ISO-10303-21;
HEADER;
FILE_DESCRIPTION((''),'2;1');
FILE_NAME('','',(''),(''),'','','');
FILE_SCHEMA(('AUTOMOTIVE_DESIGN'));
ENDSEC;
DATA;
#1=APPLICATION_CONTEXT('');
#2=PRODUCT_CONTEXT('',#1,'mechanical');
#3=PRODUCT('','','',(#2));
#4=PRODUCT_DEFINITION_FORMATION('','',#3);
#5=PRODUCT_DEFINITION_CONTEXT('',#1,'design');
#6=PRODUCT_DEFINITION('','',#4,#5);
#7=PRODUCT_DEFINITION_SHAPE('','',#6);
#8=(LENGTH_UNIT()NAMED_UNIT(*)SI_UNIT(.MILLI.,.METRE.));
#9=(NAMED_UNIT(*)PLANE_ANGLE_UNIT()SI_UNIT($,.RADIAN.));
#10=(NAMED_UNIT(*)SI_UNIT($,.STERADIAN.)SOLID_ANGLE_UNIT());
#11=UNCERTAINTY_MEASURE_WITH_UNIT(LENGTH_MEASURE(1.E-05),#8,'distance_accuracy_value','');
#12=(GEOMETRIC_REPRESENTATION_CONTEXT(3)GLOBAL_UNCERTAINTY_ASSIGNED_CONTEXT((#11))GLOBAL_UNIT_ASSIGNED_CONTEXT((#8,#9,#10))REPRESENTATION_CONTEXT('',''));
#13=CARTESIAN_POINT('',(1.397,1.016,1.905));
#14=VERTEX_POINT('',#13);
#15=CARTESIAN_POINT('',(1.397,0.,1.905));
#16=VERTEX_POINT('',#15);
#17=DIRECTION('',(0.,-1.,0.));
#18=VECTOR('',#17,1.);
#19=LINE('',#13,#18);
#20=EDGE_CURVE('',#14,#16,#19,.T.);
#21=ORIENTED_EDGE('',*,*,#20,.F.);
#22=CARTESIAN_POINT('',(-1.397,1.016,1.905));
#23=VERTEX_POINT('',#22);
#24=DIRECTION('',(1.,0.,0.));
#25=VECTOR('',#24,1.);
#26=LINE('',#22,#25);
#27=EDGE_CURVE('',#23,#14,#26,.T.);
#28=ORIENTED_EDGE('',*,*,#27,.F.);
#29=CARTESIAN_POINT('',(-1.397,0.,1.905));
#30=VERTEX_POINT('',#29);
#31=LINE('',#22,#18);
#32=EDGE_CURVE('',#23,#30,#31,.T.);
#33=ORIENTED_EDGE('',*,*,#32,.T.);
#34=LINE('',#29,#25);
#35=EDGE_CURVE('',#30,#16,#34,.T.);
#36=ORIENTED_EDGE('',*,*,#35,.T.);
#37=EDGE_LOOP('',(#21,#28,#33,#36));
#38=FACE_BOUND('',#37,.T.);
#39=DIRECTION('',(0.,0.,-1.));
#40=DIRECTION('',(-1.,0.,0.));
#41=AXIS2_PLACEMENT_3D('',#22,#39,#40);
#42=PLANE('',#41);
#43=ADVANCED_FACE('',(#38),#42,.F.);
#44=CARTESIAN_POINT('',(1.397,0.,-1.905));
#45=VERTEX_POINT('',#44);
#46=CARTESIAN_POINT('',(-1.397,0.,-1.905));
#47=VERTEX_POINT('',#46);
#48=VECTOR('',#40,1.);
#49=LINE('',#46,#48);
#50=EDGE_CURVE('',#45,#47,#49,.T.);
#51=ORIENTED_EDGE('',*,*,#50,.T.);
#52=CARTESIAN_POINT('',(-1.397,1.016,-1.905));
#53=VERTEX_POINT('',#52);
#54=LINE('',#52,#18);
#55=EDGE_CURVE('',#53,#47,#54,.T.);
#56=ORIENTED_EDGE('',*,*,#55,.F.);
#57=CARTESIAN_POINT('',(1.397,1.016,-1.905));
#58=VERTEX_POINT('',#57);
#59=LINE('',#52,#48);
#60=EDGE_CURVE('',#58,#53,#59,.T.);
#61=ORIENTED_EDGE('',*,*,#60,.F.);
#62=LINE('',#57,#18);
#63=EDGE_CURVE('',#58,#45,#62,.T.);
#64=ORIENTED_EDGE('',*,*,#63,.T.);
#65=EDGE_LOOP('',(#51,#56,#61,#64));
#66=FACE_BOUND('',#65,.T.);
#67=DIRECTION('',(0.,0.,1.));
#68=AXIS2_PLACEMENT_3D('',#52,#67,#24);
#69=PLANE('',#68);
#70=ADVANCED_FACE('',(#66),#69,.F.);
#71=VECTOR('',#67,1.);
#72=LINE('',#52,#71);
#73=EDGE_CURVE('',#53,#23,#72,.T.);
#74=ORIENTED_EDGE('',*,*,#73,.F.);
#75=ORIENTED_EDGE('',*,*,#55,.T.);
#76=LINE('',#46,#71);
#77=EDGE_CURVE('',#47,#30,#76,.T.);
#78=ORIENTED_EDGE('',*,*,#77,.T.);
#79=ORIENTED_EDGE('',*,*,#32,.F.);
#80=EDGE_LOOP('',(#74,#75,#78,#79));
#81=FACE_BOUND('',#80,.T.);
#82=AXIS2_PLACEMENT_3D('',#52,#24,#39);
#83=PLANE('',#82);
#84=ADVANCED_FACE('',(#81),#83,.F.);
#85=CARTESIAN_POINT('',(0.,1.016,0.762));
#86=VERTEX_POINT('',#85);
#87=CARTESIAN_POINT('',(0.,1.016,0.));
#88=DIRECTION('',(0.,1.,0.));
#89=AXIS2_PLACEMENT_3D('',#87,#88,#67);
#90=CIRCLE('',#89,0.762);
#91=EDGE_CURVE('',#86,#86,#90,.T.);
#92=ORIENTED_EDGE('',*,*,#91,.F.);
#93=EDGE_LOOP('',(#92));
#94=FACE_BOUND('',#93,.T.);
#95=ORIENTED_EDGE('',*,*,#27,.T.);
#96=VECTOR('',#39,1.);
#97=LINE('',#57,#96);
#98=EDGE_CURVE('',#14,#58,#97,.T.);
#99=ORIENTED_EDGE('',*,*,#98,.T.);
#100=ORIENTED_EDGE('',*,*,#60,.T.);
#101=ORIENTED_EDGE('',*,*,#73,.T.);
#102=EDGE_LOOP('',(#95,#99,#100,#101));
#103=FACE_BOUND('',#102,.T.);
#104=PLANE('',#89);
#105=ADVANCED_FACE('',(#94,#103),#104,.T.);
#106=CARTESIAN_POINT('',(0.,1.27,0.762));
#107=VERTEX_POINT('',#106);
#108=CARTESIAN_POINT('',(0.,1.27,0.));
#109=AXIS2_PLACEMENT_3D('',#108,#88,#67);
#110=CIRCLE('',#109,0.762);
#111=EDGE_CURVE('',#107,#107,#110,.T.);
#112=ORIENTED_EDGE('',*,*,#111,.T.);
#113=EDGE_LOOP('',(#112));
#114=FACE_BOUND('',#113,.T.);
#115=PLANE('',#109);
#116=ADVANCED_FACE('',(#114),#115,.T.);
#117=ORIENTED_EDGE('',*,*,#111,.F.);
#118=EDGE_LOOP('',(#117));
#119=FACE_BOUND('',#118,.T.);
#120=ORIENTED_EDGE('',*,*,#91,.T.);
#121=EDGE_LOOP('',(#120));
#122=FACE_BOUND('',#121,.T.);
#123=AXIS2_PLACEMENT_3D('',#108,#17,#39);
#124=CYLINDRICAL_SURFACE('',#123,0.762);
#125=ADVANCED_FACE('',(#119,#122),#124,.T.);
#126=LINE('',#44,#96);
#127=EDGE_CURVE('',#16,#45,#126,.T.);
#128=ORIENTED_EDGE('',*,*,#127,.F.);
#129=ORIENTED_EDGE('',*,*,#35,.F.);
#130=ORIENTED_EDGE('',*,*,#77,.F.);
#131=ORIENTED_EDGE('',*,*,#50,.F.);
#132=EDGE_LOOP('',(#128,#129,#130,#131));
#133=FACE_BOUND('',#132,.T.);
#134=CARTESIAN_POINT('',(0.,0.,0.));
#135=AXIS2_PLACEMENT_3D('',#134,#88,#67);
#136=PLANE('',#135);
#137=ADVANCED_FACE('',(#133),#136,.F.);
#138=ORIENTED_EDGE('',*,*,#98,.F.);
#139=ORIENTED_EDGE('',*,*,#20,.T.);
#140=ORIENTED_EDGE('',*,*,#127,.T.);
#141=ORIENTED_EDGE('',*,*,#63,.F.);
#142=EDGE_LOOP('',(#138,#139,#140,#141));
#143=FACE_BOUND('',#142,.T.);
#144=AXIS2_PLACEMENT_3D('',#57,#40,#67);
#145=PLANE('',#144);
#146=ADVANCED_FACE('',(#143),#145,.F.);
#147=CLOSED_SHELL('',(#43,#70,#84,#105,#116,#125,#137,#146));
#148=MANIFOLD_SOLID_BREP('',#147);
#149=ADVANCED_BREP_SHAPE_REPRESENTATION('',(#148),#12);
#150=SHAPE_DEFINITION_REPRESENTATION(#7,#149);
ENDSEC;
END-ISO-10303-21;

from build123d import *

# Parameters (mm, degrees)
SKETCH1_W           = 2.794
SKETCH1_H           = 3.81
BOSS_EXTRUDE1_DEPTH = 1.016
SKETCH2_R           = 0.762
BOSS_EXTRUDE2_DEPTH = 0.254


with BuildPart() as part:
    # Sketch1 → Boss-Extrude1 (new body)
    with BuildSketch(Plane(origin=(0, 0, 0), x_dir=(1, 0, 0), z_dir=(0, 1, 0))):
        Rectangle(SKETCH1_W, SKETCH1_H)
    extrude(amount=BOSS_EXTRUDE1_DEPTH)

    # Sketch2 → Boss-Extrude2 (add)
    with BuildSketch(Plane(origin=(0, 1.016, 0), x_dir=(1, 0, 0), z_dir=(0, 1, 0))):
        Circle(SKETCH2_R)
    extrude(amount=BOSS_EXTRUDE2_DEPTH)


solid = part.part
